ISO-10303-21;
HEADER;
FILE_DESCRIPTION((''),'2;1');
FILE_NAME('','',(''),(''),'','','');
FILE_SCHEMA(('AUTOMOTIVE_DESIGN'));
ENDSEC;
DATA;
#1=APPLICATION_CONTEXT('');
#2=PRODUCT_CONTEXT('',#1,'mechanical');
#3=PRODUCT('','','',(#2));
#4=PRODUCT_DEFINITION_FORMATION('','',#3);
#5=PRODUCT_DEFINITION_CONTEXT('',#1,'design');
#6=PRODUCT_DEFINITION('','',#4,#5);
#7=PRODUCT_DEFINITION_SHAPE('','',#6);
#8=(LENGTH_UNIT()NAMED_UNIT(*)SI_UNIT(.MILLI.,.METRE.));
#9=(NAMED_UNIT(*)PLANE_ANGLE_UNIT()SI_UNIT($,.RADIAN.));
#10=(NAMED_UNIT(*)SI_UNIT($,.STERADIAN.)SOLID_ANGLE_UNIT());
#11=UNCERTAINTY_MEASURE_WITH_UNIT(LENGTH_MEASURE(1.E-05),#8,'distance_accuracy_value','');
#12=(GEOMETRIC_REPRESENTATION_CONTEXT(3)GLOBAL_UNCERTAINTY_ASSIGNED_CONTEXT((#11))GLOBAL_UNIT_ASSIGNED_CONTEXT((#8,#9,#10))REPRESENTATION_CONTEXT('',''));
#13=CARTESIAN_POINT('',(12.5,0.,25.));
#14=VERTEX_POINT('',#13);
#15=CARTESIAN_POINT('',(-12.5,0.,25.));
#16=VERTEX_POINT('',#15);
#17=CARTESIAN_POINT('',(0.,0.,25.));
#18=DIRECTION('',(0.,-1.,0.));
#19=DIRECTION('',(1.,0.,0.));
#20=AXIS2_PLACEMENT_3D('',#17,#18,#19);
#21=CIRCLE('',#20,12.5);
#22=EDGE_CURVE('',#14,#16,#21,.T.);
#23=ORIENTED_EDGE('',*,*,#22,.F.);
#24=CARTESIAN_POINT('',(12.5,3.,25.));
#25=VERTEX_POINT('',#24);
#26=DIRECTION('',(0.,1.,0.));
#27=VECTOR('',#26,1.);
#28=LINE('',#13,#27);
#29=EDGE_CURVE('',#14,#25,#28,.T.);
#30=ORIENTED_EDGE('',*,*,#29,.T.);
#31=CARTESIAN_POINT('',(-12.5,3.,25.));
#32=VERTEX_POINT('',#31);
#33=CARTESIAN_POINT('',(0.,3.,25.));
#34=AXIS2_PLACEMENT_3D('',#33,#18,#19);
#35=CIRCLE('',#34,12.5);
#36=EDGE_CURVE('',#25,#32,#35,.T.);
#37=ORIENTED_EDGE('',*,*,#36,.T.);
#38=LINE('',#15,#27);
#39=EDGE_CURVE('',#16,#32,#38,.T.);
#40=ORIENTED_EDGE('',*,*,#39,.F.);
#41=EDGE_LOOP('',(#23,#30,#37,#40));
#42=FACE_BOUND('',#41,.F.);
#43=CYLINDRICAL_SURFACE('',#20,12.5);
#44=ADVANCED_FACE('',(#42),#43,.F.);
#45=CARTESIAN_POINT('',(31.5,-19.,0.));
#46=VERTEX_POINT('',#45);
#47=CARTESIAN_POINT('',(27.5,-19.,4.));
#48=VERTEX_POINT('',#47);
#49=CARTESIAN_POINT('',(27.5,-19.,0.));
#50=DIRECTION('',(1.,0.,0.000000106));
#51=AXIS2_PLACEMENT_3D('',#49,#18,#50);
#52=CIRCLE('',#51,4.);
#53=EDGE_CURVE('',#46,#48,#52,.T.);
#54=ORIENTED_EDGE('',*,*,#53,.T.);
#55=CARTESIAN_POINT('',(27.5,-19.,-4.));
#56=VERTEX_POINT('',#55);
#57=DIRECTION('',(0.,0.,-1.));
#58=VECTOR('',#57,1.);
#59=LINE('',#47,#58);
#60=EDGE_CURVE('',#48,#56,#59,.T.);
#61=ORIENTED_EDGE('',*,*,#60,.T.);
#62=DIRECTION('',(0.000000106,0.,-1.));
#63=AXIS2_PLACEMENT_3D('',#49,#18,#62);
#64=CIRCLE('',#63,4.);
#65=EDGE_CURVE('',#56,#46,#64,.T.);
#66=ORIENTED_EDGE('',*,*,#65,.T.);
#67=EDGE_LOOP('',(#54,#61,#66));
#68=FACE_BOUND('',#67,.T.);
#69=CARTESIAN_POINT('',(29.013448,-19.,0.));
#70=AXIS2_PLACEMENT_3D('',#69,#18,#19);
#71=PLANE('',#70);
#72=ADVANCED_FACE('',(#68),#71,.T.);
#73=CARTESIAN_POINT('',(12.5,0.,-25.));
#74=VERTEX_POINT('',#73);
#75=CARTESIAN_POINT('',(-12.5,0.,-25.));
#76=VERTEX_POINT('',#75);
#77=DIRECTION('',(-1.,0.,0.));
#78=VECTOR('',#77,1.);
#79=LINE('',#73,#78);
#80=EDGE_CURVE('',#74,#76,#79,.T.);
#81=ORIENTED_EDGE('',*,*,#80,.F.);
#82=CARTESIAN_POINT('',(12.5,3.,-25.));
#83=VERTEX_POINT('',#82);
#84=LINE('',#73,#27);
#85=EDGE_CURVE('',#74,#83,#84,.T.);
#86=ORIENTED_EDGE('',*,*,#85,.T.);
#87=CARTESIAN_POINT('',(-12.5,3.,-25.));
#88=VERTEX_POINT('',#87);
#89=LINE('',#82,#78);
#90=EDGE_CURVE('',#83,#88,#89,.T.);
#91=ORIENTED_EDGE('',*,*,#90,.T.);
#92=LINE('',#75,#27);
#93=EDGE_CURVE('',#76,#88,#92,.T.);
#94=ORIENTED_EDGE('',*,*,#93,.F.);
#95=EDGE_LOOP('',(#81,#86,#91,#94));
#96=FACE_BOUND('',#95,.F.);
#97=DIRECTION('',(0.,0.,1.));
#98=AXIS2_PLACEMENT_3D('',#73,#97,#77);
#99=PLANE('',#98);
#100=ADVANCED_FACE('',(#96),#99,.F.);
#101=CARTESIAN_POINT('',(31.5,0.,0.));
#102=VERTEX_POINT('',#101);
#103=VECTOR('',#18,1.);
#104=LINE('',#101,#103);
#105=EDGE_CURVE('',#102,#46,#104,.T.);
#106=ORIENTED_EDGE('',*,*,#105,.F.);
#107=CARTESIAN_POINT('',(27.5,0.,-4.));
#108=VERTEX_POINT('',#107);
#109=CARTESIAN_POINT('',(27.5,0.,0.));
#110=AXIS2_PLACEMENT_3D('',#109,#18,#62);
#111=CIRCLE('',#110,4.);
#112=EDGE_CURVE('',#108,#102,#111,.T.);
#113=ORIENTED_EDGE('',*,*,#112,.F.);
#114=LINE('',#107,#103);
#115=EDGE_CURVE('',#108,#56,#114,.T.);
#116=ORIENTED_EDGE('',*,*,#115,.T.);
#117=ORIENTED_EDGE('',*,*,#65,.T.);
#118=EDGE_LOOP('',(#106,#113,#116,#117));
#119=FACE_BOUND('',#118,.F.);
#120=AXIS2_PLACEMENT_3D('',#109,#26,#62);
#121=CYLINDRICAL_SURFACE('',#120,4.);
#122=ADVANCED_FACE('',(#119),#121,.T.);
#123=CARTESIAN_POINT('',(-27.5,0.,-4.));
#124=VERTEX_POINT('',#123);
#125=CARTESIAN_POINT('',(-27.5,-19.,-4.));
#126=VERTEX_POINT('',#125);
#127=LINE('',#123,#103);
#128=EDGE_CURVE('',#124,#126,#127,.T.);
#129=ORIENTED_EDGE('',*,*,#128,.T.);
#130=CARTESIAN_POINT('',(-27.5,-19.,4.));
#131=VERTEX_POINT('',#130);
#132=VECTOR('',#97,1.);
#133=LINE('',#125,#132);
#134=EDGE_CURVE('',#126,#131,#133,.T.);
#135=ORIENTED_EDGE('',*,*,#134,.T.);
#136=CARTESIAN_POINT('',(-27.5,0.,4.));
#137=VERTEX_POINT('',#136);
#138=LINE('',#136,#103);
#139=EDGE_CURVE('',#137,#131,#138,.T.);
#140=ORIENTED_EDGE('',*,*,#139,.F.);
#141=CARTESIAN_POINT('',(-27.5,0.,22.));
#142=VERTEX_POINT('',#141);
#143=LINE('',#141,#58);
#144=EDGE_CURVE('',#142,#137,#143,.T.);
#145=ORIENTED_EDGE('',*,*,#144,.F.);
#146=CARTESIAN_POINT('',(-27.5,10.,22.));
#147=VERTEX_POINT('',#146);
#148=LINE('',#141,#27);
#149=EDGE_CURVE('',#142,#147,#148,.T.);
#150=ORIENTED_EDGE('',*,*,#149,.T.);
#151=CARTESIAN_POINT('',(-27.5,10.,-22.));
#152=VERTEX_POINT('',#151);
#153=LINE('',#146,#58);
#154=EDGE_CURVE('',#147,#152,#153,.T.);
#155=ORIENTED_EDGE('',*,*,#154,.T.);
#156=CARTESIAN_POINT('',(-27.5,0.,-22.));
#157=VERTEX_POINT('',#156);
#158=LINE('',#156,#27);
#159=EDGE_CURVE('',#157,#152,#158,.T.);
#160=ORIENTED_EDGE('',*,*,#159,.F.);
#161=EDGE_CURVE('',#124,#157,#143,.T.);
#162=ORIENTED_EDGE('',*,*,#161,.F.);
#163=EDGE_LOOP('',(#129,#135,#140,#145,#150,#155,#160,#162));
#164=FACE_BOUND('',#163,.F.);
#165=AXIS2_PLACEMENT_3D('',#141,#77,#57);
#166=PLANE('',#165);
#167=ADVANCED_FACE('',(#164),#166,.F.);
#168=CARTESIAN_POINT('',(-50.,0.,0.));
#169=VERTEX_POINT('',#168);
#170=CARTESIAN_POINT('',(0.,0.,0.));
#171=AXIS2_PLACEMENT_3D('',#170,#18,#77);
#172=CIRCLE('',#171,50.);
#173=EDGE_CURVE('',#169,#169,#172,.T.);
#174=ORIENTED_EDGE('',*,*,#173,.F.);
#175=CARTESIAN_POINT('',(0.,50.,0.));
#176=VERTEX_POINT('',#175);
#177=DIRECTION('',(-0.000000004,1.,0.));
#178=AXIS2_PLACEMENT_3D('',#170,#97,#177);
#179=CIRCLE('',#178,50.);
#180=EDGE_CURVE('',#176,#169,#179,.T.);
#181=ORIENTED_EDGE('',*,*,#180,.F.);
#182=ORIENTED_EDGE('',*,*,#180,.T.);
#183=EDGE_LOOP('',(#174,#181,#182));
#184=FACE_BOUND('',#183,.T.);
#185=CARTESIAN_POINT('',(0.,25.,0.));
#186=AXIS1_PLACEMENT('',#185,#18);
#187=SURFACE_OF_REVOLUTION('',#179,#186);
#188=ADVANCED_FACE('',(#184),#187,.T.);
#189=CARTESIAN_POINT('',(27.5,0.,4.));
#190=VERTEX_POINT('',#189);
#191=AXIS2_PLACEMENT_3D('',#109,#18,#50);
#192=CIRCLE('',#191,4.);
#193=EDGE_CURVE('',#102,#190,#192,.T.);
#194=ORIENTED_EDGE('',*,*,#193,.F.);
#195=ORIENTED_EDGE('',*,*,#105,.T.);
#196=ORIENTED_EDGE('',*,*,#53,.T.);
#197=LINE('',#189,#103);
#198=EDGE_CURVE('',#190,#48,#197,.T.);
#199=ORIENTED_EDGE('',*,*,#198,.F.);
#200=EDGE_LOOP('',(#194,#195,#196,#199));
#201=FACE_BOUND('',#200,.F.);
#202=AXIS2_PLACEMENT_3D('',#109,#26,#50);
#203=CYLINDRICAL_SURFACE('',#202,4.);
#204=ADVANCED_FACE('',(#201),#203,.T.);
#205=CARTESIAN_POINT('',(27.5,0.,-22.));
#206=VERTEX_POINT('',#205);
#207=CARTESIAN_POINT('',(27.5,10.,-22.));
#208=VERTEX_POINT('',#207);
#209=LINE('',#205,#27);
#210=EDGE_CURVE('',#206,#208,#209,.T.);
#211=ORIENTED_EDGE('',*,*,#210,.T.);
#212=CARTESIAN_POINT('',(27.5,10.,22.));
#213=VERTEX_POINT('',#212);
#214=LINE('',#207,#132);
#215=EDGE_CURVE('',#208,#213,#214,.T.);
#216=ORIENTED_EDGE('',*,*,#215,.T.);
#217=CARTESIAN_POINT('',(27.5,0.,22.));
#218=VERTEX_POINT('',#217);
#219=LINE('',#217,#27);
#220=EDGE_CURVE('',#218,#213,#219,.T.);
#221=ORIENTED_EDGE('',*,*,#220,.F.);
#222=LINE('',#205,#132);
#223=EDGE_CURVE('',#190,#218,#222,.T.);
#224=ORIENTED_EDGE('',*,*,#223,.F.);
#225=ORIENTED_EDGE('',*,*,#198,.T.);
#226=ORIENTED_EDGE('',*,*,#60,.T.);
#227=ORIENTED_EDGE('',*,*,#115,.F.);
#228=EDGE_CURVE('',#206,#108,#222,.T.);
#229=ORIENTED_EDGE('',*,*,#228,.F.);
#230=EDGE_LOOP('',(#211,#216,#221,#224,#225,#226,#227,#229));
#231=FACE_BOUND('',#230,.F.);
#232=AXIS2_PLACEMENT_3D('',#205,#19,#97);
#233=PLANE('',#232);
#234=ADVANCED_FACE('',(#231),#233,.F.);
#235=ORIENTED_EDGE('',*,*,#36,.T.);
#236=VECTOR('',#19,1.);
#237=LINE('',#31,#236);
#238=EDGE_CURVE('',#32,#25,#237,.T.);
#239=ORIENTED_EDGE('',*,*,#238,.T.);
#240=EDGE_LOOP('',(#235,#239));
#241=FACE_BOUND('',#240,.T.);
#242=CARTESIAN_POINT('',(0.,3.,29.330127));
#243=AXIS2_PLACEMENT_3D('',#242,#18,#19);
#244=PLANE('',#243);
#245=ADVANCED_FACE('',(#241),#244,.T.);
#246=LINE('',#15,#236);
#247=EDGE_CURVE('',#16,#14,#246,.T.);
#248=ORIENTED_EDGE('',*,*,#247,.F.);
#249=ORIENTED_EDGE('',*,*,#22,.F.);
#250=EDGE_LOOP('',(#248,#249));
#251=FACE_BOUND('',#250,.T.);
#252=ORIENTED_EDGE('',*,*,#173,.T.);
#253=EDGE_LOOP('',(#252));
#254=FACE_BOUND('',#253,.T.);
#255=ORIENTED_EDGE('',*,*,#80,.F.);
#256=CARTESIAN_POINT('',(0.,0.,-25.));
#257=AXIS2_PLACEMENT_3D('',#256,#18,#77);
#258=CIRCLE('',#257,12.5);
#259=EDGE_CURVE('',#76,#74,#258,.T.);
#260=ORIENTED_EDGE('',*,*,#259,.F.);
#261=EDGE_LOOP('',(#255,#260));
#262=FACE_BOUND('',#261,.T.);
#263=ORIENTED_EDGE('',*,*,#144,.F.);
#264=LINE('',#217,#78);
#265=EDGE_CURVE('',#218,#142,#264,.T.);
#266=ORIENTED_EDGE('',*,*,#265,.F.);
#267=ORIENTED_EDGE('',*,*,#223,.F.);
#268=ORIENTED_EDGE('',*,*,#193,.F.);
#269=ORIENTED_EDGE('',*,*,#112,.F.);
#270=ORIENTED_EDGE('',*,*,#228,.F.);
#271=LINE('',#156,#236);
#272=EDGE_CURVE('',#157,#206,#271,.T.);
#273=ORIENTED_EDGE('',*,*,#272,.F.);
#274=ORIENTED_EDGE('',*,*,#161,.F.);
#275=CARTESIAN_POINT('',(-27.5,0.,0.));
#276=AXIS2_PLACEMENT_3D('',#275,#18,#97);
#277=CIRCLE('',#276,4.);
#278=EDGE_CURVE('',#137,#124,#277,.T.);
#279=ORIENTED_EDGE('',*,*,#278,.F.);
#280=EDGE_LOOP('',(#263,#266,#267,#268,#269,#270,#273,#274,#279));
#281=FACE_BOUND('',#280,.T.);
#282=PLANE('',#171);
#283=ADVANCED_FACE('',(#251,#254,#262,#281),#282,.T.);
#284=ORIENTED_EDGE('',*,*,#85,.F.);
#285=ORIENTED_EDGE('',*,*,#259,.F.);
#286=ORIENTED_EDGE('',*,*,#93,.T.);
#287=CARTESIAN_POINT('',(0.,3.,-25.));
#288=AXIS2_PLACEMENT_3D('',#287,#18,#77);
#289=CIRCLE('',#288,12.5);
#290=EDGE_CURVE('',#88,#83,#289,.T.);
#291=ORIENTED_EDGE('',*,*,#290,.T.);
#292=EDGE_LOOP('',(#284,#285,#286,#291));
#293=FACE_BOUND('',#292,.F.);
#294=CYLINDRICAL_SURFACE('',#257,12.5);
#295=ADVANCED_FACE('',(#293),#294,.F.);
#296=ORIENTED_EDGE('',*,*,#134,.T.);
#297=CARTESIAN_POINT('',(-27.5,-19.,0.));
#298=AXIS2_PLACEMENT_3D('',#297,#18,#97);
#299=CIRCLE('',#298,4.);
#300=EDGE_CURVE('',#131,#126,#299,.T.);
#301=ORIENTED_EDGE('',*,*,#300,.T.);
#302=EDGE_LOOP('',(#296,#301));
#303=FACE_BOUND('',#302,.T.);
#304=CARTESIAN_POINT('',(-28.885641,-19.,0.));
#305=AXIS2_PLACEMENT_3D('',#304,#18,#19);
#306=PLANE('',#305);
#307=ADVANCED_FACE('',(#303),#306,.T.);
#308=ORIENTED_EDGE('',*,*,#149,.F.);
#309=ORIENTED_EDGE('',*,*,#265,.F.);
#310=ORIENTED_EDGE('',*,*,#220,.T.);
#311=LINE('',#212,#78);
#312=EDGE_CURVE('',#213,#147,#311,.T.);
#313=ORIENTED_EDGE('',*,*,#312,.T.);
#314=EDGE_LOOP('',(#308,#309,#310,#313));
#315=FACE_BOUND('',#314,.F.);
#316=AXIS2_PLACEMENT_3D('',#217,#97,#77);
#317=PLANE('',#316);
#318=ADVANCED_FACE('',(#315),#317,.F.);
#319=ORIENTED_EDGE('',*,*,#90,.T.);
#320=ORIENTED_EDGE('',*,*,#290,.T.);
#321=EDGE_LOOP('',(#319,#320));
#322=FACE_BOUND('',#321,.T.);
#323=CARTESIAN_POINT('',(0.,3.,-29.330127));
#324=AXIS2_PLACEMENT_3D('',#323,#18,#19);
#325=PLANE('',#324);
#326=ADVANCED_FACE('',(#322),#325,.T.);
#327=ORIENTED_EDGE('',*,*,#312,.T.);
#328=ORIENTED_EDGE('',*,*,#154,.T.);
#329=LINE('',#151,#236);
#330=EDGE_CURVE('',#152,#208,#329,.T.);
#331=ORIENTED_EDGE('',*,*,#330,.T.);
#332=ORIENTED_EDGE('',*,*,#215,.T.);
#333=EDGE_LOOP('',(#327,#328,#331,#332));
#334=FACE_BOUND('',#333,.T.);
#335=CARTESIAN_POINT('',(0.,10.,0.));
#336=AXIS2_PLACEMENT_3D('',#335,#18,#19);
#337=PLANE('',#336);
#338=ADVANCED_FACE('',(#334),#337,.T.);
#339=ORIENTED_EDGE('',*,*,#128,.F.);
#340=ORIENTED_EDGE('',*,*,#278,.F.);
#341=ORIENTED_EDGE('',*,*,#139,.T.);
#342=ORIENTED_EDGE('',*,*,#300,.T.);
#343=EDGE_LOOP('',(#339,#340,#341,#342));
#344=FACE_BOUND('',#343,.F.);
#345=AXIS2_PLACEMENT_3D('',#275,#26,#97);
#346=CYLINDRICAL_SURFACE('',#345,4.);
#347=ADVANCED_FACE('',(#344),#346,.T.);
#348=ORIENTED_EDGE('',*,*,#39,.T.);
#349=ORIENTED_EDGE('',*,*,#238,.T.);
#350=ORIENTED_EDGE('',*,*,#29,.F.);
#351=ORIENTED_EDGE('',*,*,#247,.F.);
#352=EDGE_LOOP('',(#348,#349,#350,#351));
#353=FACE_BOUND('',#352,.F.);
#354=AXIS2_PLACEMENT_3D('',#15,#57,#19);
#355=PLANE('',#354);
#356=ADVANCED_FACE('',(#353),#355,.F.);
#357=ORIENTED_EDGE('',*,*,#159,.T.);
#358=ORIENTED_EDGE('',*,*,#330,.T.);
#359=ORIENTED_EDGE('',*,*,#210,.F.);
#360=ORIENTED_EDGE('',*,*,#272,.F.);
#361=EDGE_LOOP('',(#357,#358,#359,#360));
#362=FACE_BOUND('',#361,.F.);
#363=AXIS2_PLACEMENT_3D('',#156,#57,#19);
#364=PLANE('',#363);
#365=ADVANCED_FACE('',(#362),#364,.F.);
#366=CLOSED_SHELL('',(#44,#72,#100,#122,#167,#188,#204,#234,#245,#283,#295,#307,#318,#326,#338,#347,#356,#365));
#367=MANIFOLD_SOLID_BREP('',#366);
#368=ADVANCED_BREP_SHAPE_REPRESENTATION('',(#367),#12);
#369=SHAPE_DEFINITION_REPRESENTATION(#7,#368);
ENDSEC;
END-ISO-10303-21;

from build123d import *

# Parameters (mm, degrees)
F3_DEPTH = 10
F5_DEPTH = 3
F7_DEPTH = 19


with BuildPart() as f1:
    # F0 (on Top) → F1 (revolve)
    with BuildSketch(Plane.XY):
        with BuildLine():
            Line((0, 0), (0, 50))
            ThreePointArc((0, 50), (-35.355339, 35.355339), (-50, 0))
            Line((-50, 0), (0, 0))
        make_face()
    revolve(axis=Axis((0, 25, 0), (0, -1, 0)))

    # F2 (on Front) → F3 (cut)
    with BuildSketch(Plane.XZ):
        Polygon((27.5, 22), (-27.5, 22), (-27.5, 4), (-27.5, -4), (-27.5, -22), (27.5, -22), (27.5, -4), (27.5, 4), align=None)
    extrude(amount=-F3_DEPTH, mode=Mode.SUBTRACT)

    # F4 (on Front) → F5 (cut)
    with BuildSketch(Plane.XZ):
        with BuildLine():
            Line((12.5, -25), (0, -25))
            Line((0, -25), (-12.5, -25))
            ThreePointArc((-12.5, -25), (0, -37.5), (12.5, -25))
        make_face()
        with BuildLine():
            Line((-12.5, 25), (0, 25))
            Line((0, 25), (12.5, 25))
            ThreePointArc((12.5, 25), (0, 37.5), (-12.5, 25))
        make_face()
    extrude(amount=-F5_DEPTH, mode=Mode.SUBTRACT)

    # F6 (on Front) → F7 (join)
    with BuildSketch(Plane.XZ):
        with BuildLine():
            Line((-27.5, 0), (-27.5, 4))
            ThreePointArc((-27.5, 4), (-31.5, 0), (-27.5, -4))
            Line((-27.5, -4), (-27.5, 0))
        make_face()
        with BuildLine():
            ThreePointArc((31.5, 0), (30.328427, 2.828427), (27.5, 4))
            Line((27.5, 4), (27.5, 0))
            Line((27.5, 0), (27.5, -4))
            ThreePointArc((27.5, -4), (30.328427, -2.828427), (31.5, 0))
        make_face()
    extrude(amount=F7_DEPTH)


solid = f1.part
